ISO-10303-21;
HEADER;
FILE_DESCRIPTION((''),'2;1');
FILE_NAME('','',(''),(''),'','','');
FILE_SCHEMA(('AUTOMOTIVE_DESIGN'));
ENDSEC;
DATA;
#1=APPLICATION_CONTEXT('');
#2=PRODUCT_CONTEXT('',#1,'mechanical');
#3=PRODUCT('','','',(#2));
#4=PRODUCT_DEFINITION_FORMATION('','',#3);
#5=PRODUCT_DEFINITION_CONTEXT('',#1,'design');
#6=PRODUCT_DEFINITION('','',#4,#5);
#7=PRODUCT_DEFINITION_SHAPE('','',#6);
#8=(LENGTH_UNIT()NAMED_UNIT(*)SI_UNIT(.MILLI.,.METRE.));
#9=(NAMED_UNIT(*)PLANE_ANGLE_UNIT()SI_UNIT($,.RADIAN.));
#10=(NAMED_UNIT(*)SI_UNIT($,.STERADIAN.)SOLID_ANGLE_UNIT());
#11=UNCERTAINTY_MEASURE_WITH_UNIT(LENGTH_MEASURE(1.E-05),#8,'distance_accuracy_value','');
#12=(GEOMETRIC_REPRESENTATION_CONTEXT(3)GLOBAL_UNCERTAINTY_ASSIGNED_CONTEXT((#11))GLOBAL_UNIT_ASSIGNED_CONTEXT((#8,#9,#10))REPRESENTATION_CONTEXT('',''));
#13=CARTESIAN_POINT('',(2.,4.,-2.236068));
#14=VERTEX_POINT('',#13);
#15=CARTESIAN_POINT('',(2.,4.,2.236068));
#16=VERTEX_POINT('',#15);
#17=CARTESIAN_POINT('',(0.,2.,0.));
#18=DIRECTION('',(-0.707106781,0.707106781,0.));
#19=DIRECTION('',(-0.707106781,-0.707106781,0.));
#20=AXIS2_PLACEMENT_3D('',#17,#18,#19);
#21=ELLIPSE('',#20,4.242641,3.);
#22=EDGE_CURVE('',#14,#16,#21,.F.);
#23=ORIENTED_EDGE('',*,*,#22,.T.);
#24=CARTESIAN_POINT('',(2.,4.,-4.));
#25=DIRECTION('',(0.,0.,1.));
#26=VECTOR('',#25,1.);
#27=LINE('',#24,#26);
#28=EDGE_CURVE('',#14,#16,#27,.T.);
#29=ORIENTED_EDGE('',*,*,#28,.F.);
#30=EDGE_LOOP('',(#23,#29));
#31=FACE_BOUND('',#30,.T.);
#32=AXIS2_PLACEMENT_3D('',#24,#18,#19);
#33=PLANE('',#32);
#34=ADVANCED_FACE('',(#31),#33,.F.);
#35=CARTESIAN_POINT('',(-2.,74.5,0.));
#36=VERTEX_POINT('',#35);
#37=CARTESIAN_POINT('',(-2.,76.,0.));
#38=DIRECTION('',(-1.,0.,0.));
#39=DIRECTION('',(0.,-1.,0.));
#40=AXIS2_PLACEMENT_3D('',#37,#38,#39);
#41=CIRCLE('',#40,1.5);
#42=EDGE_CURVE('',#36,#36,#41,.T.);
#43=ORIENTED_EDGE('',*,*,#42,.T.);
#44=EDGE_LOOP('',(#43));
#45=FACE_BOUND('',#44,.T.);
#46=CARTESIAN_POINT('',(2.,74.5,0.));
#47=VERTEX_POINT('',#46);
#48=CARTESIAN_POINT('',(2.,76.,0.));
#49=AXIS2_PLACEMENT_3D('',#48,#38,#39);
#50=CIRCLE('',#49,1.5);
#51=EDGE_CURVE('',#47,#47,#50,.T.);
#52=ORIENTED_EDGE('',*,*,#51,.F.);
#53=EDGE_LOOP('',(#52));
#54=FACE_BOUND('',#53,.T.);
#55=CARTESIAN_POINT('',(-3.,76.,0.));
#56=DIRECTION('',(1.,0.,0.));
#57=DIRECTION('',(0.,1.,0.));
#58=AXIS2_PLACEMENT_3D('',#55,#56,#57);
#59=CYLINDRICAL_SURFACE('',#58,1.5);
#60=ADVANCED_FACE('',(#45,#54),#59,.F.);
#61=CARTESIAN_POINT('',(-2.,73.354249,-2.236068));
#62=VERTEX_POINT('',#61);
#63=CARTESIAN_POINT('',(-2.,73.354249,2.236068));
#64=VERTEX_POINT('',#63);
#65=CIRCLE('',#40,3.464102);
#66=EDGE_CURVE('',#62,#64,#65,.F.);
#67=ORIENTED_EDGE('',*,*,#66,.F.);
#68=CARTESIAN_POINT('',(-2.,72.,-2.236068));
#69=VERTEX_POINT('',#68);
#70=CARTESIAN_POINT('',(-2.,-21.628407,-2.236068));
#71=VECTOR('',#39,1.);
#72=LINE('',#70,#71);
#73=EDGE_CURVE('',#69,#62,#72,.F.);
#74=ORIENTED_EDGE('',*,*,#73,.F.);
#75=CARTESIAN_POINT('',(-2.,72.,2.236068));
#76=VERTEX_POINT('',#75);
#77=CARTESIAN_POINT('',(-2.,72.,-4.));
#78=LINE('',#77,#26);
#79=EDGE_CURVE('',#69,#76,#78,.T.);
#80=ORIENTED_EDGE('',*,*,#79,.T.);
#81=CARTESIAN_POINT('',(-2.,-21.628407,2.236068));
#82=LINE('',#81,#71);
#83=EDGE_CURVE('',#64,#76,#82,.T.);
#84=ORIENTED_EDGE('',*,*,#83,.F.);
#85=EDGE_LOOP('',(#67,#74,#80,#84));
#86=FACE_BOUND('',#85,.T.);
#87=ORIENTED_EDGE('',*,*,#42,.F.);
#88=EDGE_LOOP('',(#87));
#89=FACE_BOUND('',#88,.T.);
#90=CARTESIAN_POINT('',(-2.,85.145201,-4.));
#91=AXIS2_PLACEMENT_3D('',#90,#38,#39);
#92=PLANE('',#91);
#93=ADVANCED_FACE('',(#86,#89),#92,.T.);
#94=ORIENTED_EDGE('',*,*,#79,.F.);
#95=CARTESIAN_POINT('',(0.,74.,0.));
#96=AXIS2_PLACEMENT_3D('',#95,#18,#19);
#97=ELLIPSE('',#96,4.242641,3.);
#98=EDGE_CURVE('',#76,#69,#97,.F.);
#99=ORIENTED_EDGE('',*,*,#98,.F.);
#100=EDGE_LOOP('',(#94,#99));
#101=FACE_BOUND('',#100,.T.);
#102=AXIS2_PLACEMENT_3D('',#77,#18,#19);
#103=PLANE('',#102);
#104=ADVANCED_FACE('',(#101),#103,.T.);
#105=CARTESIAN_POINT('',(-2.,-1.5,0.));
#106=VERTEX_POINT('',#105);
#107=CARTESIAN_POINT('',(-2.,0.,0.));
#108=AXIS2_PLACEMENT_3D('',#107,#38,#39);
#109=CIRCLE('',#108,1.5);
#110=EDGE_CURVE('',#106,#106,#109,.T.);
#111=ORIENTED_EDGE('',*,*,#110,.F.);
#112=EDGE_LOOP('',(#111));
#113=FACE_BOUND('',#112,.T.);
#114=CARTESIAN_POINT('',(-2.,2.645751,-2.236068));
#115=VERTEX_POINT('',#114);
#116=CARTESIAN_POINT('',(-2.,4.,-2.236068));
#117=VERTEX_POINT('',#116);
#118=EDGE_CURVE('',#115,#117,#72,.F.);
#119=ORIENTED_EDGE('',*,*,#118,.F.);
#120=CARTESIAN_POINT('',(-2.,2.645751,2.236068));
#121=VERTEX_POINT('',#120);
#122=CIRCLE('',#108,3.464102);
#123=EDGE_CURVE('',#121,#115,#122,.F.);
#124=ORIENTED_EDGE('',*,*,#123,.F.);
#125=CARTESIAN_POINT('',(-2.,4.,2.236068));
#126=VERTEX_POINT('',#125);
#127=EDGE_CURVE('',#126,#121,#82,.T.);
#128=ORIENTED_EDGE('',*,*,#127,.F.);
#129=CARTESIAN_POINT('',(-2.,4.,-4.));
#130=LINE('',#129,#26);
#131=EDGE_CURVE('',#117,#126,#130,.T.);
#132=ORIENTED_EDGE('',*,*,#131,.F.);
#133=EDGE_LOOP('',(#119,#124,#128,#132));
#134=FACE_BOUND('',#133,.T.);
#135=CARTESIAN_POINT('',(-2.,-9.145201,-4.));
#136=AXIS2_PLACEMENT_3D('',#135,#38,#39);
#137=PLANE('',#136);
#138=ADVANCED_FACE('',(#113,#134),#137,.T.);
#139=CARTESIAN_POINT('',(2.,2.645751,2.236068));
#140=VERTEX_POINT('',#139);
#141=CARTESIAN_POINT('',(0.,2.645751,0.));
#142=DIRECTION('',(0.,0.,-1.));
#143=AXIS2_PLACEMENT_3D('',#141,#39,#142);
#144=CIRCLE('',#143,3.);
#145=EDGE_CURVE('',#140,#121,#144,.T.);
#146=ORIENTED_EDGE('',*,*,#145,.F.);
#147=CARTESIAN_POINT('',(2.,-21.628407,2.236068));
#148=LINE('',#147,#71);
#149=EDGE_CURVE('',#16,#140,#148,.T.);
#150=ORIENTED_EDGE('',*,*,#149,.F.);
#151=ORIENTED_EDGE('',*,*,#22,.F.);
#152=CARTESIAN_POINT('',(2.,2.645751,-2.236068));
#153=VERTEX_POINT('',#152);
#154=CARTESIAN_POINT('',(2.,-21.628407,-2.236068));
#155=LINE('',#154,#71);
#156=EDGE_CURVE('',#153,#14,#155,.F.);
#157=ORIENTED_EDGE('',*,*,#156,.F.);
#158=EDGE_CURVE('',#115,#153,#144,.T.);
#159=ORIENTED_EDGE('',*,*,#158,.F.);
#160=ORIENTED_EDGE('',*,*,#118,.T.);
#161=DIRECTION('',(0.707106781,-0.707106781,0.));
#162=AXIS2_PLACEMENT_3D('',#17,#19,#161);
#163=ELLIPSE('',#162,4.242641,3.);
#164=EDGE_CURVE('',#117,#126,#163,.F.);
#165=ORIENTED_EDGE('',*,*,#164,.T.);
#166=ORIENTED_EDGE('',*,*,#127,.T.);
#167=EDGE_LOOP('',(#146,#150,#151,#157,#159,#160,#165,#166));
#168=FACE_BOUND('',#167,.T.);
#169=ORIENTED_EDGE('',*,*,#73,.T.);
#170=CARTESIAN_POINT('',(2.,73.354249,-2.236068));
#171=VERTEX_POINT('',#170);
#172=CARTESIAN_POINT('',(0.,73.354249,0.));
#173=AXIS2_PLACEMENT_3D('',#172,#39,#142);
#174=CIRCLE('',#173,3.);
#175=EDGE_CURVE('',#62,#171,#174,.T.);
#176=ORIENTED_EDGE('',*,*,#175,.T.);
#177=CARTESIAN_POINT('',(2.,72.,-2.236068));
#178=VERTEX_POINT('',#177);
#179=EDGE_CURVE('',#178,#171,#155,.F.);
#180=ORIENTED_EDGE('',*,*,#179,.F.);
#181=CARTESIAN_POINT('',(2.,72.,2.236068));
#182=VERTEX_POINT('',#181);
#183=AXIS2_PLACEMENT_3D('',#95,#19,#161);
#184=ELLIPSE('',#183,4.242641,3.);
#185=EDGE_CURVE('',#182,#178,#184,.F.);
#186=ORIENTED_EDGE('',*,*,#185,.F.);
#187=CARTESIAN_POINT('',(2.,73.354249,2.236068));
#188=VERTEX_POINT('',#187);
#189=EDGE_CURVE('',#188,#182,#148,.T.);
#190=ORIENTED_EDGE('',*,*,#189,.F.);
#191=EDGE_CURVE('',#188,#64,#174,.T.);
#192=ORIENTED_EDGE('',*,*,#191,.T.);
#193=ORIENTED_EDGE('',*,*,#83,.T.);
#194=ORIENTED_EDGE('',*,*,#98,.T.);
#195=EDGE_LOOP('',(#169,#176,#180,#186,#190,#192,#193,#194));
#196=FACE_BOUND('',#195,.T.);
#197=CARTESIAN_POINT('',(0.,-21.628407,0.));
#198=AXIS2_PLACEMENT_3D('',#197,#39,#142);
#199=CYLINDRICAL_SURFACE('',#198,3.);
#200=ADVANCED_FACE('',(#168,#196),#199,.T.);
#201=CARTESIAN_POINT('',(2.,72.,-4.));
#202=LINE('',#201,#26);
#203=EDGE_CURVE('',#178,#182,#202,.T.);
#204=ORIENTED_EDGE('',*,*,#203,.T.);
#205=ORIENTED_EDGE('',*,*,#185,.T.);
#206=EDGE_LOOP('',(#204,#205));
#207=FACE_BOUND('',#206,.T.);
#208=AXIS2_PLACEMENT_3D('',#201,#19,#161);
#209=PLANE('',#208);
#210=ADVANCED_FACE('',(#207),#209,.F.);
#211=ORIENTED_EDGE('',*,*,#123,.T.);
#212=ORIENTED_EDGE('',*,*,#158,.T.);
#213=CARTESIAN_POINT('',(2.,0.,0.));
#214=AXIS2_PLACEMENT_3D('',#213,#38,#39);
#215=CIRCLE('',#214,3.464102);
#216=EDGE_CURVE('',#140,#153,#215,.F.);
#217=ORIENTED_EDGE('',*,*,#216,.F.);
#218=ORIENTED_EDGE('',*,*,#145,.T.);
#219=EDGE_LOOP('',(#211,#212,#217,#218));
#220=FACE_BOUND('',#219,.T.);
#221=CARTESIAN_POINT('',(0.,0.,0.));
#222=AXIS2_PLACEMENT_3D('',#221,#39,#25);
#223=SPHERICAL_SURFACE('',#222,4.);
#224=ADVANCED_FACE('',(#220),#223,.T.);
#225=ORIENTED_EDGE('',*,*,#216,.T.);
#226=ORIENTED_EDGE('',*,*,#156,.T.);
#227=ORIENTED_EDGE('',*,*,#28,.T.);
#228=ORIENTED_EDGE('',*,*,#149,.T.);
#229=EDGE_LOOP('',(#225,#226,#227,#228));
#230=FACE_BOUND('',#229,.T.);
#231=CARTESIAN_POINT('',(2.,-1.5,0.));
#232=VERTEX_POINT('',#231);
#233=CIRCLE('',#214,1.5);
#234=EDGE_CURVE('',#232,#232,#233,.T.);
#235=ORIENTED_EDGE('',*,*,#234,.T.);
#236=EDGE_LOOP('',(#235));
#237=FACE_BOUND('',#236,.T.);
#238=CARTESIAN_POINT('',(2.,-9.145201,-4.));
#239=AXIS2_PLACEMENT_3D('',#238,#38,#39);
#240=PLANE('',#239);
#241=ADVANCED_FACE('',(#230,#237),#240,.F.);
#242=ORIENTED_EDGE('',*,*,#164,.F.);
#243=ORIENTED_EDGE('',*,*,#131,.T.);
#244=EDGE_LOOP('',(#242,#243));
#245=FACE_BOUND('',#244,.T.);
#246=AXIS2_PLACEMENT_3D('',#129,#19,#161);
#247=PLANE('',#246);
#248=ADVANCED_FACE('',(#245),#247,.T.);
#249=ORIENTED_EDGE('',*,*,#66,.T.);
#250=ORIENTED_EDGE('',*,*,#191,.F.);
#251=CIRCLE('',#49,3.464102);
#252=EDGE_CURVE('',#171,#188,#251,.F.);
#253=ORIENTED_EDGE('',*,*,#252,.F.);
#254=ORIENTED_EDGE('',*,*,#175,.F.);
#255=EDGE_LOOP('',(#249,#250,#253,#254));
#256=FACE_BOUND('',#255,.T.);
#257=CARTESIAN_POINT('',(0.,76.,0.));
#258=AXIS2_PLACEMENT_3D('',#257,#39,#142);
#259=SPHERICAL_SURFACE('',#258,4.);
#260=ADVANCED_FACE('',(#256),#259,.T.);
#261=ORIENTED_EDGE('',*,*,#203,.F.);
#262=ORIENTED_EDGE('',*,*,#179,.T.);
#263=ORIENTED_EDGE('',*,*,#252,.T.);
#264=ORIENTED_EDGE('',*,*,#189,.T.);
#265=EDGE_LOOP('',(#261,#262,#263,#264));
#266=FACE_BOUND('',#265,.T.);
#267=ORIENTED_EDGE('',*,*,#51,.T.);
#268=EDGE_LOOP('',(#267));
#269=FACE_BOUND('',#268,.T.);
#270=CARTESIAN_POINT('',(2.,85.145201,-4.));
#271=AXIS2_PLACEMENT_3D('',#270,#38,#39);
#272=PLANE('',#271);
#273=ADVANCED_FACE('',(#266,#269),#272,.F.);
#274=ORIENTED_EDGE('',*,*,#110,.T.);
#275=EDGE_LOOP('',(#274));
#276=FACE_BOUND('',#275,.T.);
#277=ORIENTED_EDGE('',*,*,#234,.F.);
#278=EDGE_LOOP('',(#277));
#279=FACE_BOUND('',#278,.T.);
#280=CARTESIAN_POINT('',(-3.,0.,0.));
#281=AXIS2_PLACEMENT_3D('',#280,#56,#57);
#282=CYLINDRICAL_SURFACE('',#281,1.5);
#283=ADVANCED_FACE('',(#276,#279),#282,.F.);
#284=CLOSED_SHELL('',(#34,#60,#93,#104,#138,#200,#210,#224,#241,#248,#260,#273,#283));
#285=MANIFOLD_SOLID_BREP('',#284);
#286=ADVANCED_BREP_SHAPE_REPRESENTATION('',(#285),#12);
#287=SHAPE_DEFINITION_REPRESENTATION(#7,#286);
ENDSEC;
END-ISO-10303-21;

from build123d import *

# Parameters (mm, degrees)
CUT_EXTRUDE_1_DEPTH      = 81.199750623
CUT_EXTRUDE_2_DEPTH      = 81.255840909
CUT_EXTRUDE_2_DEPTH_BACK = 81.255840909
SKETCH_3_R               = 1.5
CUT_EXTRUDE_3_DEPTH      = 81.255840909
CUT_EXTRUDE_3_DEPTH_BACK = 81.255840909
SKETCH_4_R               = 1.5


with BuildPart() as part:
    # 草图1 → 旋转7 (revolve)
    with BuildSketch(Plane(origin=(0, 0, 0), x_dir=(0, 0, -1), z_dir=(1, 0, 0))):
        with BuildLine():
            Line((0, 80), (0, -4))
            ThreePointArc((0, -4), (3.645751311, -1.645751311), (3, 2.645751311))
            Line((3, 2.645751311), (3, 73.354248689))
            ThreePointArc((3, 73.354248689), (3.645751311, 77.645751311), (0, 80))
        make_face()
    revolve(axis=Axis((0, -21.628406948, 0), (0, 1, 0)))

    # 草图2 → 切除-拉伸1 (cut, symmetric)
    with BuildSketch(Plane.XY):
        Polygon((2, 85.145201401), (2, 72), (3, 71), (8.111541525, 71), (8.111541525, 85.145201401), align=None)
        Polygon((8.111541525, -9.145201401), (2, -9.145201401), (2, 4), (3, 5), (8.111541525, 5), align=None)
    cut_extrude_1 = extrude(amount=CUT_EXTRUDE_1_DEPTH, both=True, mode=Mode.SUBTRACT)

    # 镜向1: 切除-拉伸1 across plane
    add(cut_extrude_1.mirror(Plane(origin=(0, 0, 0), x_dir=(0, 0, 1), z_dir=(1, 0, 0))), mode=Mode.SUBTRACT)

    # 草图3 → 切除-拉伸2 (cut, two sides: drawn at the far end of the back side and taken through both)
    with BuildSketch(Plane(origin=(2, 0, 0), x_dir=(0, 0, -1), z_dir=(1, 0, 0)).offset(-CUT_EXTRUDE_2_DEPTH_BACK)):
        with Locations(Location((0, 76, 0), (0, 0, 270))):
            Circle(SKETCH_3_R)
    extrude(amount=CUT_EXTRUDE_2_DEPTH + CUT_EXTRUDE_2_DEPTH_BACK, mode=Mode.SUBTRACT)

    # 草图4 → 切除-拉伸3 (cut, two sides: drawn at the far end of the back side and taken through both)
    with BuildSketch(Plane(origin=(2, 0, 0), x_dir=(0, 0, -1), z_dir=(1, 0, 0)).offset(-CUT_EXTRUDE_3_DEPTH_BACK)):
        with Locations(Location((0, 0, 0), (0, 0, 270))):
            Circle(SKETCH_4_R)
    extrude(amount=CUT_EXTRUDE_3_DEPTH + CUT_EXTRUDE_3_DEPTH_BACK, mode=Mode.SUBTRACT)


solid = part.part
